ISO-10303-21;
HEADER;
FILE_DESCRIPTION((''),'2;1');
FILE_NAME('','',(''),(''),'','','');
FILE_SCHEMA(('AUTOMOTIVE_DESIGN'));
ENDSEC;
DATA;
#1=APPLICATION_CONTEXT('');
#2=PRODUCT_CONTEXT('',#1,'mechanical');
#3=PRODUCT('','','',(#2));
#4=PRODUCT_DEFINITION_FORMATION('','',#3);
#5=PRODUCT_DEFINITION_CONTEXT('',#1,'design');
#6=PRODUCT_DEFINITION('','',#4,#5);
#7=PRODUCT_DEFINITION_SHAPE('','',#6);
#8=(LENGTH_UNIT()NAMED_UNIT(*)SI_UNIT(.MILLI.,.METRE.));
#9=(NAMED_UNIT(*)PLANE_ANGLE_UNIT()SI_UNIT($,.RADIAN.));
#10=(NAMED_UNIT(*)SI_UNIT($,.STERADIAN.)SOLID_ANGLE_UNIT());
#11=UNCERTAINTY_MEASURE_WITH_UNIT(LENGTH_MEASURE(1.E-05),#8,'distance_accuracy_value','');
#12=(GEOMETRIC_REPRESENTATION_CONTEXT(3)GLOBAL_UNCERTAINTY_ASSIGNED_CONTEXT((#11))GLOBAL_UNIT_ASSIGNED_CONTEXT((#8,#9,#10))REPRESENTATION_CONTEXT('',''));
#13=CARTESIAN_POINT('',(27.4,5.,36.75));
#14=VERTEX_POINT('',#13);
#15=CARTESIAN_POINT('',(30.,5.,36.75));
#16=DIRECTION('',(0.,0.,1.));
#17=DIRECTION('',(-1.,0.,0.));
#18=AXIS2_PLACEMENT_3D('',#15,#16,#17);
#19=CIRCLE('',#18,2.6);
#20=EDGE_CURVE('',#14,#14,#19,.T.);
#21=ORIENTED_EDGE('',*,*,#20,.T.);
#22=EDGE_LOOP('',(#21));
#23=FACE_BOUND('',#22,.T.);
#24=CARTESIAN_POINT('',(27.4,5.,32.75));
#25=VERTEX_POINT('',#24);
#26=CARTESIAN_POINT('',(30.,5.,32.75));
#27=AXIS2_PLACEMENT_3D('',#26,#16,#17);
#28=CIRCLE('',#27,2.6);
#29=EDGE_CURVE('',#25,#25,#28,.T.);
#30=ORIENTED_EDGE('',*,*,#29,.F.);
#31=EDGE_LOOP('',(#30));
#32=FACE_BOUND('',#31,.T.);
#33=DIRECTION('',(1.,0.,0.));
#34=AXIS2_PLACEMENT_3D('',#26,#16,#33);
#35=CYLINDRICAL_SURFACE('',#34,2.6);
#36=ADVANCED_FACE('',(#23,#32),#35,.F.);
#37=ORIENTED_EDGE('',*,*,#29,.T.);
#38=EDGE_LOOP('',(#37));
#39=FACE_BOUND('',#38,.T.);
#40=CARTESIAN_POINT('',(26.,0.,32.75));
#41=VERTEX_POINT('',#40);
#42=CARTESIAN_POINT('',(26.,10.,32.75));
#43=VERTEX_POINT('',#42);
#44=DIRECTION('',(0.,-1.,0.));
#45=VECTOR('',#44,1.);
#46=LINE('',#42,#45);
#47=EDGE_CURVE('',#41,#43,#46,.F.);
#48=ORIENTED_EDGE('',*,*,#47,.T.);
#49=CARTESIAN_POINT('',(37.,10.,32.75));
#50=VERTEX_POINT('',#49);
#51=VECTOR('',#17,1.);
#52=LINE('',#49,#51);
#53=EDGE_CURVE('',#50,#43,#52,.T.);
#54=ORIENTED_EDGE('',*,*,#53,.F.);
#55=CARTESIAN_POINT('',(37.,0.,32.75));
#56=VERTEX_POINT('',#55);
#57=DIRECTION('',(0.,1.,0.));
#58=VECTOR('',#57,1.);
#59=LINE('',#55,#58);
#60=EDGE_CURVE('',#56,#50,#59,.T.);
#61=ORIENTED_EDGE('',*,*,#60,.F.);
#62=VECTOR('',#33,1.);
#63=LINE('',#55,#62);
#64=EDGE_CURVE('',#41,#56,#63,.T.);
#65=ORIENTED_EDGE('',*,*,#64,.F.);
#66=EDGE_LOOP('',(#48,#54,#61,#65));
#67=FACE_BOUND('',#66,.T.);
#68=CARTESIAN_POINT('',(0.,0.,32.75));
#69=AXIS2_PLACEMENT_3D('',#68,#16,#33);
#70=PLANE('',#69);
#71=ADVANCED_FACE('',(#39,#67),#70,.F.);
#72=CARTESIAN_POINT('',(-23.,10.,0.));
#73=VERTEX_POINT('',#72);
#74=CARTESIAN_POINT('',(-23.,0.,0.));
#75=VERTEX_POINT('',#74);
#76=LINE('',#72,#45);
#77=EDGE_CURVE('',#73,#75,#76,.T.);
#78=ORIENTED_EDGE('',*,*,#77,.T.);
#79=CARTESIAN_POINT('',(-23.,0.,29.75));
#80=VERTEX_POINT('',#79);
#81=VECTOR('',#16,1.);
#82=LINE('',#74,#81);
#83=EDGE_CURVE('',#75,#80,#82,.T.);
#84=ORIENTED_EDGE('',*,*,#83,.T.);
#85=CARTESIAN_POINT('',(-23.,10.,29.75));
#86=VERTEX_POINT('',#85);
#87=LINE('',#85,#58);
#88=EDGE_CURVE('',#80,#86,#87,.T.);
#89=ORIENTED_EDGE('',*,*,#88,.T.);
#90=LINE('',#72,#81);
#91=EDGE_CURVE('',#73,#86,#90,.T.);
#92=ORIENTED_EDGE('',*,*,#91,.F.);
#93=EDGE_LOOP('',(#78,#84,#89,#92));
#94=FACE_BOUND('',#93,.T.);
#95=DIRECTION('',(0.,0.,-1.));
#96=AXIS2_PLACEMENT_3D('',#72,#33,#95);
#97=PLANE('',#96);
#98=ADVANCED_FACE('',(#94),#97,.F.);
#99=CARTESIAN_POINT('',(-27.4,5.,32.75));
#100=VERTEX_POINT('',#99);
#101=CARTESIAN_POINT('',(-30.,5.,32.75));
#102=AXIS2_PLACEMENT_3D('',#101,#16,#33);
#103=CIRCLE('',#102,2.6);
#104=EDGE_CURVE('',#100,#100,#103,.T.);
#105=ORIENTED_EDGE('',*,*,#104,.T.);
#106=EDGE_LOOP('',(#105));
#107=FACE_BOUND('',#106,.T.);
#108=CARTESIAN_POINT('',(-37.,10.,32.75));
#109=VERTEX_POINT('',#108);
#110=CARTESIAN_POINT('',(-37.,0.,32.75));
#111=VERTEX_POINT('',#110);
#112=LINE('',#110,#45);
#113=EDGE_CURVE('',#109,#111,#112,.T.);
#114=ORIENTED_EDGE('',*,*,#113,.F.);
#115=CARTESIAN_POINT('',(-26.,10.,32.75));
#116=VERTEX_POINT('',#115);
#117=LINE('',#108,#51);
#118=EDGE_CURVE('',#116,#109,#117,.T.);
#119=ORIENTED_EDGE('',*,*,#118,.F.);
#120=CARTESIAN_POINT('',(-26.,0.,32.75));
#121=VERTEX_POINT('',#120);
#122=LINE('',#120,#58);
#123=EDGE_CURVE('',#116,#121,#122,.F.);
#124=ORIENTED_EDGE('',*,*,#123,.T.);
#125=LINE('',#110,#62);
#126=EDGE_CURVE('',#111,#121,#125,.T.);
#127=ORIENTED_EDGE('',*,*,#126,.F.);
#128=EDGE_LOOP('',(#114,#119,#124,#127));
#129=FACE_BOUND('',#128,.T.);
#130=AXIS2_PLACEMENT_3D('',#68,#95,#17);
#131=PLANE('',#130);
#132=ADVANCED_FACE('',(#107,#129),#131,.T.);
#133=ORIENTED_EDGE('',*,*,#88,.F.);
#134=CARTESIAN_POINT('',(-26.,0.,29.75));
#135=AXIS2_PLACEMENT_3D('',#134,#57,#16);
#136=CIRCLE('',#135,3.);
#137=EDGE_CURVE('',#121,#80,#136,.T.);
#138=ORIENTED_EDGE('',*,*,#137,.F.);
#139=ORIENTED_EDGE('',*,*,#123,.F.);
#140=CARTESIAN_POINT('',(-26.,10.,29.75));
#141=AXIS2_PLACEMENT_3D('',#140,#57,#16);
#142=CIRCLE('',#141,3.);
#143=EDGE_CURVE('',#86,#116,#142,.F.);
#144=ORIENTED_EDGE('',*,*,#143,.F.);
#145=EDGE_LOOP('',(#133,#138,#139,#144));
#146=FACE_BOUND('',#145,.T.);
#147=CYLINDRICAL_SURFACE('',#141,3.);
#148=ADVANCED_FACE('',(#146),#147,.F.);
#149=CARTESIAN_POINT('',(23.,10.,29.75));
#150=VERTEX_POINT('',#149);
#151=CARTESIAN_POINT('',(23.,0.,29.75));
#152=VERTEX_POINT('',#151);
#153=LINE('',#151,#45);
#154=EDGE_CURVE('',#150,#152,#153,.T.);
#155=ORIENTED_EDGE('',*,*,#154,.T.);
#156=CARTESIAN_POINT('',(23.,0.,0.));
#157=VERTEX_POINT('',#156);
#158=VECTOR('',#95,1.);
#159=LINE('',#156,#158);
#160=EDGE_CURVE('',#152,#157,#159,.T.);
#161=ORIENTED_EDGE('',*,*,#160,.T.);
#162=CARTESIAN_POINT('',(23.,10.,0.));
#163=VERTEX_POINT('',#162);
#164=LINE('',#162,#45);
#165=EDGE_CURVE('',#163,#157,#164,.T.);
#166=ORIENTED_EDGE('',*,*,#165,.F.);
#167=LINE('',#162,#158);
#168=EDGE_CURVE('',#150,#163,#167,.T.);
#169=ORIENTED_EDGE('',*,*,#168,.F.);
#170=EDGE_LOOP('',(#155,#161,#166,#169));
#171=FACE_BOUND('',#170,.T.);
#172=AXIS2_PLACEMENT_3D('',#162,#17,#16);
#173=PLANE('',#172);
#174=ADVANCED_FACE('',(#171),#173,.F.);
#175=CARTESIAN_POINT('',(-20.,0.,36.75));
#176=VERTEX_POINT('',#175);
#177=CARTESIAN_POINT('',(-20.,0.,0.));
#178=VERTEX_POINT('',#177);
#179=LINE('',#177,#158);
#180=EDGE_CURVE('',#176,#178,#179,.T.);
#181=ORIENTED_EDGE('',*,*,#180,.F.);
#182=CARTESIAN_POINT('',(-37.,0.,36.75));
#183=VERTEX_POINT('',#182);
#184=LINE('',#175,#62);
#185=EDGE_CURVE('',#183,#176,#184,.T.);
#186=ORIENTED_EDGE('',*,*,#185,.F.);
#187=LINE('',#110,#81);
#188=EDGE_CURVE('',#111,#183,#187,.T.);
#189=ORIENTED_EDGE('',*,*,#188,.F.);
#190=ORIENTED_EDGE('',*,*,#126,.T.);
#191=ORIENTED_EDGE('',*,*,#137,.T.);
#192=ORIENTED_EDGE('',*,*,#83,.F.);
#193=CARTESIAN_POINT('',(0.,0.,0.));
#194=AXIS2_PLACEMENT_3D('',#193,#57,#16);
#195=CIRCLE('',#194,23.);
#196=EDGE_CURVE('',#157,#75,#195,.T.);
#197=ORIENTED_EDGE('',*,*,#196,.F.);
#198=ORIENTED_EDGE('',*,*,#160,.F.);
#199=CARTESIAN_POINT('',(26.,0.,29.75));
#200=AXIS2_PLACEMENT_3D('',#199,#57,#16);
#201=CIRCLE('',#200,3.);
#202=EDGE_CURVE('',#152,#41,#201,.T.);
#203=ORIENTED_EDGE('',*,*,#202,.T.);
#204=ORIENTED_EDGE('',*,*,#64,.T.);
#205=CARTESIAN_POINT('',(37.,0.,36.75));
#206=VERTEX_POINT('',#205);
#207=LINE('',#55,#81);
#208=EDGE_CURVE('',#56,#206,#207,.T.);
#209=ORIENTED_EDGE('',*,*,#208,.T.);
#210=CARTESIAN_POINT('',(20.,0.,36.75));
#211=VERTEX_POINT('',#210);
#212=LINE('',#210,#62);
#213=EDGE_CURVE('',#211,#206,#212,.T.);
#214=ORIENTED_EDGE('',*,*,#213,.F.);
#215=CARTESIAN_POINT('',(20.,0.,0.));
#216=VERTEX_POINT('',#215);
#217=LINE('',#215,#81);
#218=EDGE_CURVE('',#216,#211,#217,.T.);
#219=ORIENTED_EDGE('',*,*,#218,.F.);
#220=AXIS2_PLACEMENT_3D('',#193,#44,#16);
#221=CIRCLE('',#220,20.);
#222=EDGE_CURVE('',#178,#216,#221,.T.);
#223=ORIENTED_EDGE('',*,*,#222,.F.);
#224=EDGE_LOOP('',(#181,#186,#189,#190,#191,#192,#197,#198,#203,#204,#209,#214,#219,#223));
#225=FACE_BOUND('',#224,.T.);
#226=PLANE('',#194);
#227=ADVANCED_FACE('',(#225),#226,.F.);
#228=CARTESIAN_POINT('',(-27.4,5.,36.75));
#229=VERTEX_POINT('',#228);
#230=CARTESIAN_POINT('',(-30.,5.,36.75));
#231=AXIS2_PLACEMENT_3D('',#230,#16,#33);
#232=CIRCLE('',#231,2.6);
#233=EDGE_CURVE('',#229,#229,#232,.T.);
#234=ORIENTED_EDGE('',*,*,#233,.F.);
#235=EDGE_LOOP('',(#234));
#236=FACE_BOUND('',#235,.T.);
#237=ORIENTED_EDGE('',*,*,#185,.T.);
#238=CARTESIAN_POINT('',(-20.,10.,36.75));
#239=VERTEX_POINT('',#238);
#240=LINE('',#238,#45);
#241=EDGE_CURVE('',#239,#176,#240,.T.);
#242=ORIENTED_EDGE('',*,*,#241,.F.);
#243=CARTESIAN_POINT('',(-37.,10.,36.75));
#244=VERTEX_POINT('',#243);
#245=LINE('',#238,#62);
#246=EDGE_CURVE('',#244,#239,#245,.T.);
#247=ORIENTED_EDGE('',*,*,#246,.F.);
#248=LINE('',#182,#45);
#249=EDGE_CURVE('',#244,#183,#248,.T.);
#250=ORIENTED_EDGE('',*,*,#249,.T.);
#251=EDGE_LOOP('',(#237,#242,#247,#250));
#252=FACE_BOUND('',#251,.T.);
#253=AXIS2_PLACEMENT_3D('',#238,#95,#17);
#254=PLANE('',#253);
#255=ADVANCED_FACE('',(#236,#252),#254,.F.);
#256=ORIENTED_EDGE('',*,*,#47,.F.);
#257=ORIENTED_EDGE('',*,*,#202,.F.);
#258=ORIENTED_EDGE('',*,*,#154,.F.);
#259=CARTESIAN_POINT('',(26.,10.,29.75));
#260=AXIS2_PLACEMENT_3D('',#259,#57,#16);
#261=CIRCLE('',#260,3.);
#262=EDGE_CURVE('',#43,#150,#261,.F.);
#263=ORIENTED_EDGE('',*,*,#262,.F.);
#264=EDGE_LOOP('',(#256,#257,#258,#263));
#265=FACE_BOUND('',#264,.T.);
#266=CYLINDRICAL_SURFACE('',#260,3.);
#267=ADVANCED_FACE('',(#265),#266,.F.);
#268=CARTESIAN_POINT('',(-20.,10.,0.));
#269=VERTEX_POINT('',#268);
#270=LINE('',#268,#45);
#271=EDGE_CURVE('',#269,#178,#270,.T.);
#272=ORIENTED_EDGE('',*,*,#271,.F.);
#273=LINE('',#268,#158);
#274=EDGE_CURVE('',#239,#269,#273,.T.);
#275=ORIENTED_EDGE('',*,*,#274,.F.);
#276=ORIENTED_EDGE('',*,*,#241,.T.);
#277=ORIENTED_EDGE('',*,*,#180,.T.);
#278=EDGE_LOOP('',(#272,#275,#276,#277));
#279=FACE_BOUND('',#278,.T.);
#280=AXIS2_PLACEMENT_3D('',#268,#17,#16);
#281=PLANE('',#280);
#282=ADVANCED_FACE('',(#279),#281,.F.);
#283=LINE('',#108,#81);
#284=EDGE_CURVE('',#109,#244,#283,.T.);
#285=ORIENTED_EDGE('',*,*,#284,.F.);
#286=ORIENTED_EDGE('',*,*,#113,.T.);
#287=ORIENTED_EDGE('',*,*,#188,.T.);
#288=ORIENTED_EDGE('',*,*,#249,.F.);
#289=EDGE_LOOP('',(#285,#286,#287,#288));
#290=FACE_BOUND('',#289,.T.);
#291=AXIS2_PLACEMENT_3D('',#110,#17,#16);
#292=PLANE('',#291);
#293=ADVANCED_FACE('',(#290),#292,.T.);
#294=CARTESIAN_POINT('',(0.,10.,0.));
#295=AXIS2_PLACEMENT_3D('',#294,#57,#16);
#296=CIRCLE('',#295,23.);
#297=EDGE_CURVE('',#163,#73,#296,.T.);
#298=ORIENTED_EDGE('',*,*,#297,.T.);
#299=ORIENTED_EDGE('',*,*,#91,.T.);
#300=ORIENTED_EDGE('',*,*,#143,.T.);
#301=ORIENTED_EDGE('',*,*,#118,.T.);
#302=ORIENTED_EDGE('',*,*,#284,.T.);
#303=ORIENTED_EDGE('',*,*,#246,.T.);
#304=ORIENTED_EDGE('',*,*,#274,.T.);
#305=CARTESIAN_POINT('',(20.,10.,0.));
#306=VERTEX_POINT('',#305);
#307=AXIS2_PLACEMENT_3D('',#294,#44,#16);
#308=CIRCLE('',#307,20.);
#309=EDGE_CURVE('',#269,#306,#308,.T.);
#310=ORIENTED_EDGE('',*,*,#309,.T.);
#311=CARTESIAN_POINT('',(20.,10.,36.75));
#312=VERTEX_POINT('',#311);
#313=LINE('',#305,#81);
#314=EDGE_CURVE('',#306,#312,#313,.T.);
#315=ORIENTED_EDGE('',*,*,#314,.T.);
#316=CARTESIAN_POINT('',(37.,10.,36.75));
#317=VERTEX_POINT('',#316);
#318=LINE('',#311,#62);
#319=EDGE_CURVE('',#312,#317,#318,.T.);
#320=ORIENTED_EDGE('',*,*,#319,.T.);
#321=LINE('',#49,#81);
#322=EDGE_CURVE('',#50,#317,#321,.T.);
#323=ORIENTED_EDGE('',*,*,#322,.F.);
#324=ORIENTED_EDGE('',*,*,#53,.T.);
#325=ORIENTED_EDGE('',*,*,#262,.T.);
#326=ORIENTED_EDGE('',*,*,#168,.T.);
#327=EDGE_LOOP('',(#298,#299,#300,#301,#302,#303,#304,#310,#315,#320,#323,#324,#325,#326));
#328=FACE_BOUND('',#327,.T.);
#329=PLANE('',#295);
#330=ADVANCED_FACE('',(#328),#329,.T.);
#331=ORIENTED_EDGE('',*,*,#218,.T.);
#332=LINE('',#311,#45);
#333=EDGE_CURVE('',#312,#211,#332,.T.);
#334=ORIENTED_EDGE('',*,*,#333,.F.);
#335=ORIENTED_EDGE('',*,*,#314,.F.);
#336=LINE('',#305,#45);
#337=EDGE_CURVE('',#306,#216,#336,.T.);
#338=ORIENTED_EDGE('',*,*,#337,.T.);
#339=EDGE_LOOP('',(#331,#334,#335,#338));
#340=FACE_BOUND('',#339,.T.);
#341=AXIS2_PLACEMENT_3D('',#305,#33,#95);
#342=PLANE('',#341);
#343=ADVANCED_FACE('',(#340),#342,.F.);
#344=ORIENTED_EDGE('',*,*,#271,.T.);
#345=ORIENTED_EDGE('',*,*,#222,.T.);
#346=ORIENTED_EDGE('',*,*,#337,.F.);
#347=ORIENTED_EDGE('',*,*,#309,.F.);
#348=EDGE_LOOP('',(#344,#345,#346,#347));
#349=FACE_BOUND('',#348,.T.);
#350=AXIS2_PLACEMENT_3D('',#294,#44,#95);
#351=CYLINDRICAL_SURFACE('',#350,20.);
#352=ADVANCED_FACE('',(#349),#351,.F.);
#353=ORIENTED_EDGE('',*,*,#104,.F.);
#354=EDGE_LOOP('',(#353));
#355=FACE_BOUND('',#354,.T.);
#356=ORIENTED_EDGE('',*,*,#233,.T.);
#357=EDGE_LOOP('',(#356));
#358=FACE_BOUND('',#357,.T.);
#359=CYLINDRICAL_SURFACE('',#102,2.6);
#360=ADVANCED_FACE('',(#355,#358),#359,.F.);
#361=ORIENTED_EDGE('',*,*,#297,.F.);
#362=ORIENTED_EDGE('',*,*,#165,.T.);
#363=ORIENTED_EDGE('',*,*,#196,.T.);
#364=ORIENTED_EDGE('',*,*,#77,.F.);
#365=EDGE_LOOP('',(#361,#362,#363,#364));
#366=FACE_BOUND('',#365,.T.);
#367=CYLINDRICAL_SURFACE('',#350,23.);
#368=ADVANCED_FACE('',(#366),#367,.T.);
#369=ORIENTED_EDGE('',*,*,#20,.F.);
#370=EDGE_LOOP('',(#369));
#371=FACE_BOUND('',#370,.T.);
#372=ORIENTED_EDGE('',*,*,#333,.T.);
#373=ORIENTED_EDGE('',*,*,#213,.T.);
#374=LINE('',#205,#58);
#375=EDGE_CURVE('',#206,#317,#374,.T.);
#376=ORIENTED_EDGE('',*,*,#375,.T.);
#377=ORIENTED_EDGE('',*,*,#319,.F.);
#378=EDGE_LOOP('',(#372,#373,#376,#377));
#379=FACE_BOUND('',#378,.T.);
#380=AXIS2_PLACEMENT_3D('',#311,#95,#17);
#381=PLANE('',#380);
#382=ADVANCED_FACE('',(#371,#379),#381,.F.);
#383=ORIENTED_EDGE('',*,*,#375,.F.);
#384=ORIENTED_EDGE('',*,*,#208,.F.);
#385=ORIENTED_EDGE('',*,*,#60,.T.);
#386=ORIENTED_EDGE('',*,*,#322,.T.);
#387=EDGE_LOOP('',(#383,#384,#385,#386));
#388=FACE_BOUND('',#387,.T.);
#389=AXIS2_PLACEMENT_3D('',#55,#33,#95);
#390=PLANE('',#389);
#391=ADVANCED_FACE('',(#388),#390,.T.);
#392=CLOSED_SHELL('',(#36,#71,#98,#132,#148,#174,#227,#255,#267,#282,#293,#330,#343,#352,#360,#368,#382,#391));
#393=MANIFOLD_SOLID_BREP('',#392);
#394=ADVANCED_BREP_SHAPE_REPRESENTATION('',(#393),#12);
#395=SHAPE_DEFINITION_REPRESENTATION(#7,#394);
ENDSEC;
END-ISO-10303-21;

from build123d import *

# Parameters (mm, degrees)
EXTRUDE_1_DEPTH = 10
SKETCH_2_W      = 14
SKETCH_2_H      = 10
SKETCH_2_R      = 2.6
EXTRUDE_2_DEPTH = 4
FILLET_1_R      = 3


with BuildPart() as part:
    # 草图1 → 凸台-拉伸1 (new body)
    with BuildSketch(Plane(origin=(0, 0, 0), x_dir=(1, 0, 0), z_dir=(0, 1, 0))):
        with BuildLine():
            Line((-23, 0), (-23, -36.75))
            Line((-23, -36.75), (-20, -36.75))
            Line((-20, -36.75), (-20, 0))
            ThreePointArc((-20, 0), (0, 20), (20, 0))
            Line((20, 0), (20, -36.75))
            Line((20, -36.75), (23, -36.75))
            Line((23, -36.75), (23, 0))
            ThreePointArc((23, 0), (0, 23), (-23, 0))
        make_face()
    extrude(amount=EXTRUDE_1_DEPTH)

    # 草图2 → 凸台-拉伸2 (add)
    # profile 1 of 2: a face of its own
    with BuildSketch(Plane.XY.offset(36.75)):
        with Locations((-30, 5)):
            Rectangle(SKETCH_2_W, SKETCH_2_H)
        with Locations((-30, 5)):
            Circle(SKETCH_2_R, mode=Mode.SUBTRACT)
    # profile 2 of 2: a face of its own
    with BuildSketch(Plane.XY.offset(36.75)):
        with Locations((30, 5)):
            Rectangle(SKETCH_2_W, SKETCH_2_H)
        with Locations(Location((30, 5, 0), (0, 0, 180))):
            Circle(SKETCH_2_R, mode=Mode.SUBTRACT)
    extrude(amount=-EXTRUDE_2_DEPTH)

    # 圆角1
    fillet_1_edges = [part.edges().sort_by_distance(p)[0] for p in [
        (-23, 5, 32.75),
        (23, 5, 32.75),
    ]]
    fillet(fillet_1_edges, radius=FILLET_1_R)


solid = part.part
